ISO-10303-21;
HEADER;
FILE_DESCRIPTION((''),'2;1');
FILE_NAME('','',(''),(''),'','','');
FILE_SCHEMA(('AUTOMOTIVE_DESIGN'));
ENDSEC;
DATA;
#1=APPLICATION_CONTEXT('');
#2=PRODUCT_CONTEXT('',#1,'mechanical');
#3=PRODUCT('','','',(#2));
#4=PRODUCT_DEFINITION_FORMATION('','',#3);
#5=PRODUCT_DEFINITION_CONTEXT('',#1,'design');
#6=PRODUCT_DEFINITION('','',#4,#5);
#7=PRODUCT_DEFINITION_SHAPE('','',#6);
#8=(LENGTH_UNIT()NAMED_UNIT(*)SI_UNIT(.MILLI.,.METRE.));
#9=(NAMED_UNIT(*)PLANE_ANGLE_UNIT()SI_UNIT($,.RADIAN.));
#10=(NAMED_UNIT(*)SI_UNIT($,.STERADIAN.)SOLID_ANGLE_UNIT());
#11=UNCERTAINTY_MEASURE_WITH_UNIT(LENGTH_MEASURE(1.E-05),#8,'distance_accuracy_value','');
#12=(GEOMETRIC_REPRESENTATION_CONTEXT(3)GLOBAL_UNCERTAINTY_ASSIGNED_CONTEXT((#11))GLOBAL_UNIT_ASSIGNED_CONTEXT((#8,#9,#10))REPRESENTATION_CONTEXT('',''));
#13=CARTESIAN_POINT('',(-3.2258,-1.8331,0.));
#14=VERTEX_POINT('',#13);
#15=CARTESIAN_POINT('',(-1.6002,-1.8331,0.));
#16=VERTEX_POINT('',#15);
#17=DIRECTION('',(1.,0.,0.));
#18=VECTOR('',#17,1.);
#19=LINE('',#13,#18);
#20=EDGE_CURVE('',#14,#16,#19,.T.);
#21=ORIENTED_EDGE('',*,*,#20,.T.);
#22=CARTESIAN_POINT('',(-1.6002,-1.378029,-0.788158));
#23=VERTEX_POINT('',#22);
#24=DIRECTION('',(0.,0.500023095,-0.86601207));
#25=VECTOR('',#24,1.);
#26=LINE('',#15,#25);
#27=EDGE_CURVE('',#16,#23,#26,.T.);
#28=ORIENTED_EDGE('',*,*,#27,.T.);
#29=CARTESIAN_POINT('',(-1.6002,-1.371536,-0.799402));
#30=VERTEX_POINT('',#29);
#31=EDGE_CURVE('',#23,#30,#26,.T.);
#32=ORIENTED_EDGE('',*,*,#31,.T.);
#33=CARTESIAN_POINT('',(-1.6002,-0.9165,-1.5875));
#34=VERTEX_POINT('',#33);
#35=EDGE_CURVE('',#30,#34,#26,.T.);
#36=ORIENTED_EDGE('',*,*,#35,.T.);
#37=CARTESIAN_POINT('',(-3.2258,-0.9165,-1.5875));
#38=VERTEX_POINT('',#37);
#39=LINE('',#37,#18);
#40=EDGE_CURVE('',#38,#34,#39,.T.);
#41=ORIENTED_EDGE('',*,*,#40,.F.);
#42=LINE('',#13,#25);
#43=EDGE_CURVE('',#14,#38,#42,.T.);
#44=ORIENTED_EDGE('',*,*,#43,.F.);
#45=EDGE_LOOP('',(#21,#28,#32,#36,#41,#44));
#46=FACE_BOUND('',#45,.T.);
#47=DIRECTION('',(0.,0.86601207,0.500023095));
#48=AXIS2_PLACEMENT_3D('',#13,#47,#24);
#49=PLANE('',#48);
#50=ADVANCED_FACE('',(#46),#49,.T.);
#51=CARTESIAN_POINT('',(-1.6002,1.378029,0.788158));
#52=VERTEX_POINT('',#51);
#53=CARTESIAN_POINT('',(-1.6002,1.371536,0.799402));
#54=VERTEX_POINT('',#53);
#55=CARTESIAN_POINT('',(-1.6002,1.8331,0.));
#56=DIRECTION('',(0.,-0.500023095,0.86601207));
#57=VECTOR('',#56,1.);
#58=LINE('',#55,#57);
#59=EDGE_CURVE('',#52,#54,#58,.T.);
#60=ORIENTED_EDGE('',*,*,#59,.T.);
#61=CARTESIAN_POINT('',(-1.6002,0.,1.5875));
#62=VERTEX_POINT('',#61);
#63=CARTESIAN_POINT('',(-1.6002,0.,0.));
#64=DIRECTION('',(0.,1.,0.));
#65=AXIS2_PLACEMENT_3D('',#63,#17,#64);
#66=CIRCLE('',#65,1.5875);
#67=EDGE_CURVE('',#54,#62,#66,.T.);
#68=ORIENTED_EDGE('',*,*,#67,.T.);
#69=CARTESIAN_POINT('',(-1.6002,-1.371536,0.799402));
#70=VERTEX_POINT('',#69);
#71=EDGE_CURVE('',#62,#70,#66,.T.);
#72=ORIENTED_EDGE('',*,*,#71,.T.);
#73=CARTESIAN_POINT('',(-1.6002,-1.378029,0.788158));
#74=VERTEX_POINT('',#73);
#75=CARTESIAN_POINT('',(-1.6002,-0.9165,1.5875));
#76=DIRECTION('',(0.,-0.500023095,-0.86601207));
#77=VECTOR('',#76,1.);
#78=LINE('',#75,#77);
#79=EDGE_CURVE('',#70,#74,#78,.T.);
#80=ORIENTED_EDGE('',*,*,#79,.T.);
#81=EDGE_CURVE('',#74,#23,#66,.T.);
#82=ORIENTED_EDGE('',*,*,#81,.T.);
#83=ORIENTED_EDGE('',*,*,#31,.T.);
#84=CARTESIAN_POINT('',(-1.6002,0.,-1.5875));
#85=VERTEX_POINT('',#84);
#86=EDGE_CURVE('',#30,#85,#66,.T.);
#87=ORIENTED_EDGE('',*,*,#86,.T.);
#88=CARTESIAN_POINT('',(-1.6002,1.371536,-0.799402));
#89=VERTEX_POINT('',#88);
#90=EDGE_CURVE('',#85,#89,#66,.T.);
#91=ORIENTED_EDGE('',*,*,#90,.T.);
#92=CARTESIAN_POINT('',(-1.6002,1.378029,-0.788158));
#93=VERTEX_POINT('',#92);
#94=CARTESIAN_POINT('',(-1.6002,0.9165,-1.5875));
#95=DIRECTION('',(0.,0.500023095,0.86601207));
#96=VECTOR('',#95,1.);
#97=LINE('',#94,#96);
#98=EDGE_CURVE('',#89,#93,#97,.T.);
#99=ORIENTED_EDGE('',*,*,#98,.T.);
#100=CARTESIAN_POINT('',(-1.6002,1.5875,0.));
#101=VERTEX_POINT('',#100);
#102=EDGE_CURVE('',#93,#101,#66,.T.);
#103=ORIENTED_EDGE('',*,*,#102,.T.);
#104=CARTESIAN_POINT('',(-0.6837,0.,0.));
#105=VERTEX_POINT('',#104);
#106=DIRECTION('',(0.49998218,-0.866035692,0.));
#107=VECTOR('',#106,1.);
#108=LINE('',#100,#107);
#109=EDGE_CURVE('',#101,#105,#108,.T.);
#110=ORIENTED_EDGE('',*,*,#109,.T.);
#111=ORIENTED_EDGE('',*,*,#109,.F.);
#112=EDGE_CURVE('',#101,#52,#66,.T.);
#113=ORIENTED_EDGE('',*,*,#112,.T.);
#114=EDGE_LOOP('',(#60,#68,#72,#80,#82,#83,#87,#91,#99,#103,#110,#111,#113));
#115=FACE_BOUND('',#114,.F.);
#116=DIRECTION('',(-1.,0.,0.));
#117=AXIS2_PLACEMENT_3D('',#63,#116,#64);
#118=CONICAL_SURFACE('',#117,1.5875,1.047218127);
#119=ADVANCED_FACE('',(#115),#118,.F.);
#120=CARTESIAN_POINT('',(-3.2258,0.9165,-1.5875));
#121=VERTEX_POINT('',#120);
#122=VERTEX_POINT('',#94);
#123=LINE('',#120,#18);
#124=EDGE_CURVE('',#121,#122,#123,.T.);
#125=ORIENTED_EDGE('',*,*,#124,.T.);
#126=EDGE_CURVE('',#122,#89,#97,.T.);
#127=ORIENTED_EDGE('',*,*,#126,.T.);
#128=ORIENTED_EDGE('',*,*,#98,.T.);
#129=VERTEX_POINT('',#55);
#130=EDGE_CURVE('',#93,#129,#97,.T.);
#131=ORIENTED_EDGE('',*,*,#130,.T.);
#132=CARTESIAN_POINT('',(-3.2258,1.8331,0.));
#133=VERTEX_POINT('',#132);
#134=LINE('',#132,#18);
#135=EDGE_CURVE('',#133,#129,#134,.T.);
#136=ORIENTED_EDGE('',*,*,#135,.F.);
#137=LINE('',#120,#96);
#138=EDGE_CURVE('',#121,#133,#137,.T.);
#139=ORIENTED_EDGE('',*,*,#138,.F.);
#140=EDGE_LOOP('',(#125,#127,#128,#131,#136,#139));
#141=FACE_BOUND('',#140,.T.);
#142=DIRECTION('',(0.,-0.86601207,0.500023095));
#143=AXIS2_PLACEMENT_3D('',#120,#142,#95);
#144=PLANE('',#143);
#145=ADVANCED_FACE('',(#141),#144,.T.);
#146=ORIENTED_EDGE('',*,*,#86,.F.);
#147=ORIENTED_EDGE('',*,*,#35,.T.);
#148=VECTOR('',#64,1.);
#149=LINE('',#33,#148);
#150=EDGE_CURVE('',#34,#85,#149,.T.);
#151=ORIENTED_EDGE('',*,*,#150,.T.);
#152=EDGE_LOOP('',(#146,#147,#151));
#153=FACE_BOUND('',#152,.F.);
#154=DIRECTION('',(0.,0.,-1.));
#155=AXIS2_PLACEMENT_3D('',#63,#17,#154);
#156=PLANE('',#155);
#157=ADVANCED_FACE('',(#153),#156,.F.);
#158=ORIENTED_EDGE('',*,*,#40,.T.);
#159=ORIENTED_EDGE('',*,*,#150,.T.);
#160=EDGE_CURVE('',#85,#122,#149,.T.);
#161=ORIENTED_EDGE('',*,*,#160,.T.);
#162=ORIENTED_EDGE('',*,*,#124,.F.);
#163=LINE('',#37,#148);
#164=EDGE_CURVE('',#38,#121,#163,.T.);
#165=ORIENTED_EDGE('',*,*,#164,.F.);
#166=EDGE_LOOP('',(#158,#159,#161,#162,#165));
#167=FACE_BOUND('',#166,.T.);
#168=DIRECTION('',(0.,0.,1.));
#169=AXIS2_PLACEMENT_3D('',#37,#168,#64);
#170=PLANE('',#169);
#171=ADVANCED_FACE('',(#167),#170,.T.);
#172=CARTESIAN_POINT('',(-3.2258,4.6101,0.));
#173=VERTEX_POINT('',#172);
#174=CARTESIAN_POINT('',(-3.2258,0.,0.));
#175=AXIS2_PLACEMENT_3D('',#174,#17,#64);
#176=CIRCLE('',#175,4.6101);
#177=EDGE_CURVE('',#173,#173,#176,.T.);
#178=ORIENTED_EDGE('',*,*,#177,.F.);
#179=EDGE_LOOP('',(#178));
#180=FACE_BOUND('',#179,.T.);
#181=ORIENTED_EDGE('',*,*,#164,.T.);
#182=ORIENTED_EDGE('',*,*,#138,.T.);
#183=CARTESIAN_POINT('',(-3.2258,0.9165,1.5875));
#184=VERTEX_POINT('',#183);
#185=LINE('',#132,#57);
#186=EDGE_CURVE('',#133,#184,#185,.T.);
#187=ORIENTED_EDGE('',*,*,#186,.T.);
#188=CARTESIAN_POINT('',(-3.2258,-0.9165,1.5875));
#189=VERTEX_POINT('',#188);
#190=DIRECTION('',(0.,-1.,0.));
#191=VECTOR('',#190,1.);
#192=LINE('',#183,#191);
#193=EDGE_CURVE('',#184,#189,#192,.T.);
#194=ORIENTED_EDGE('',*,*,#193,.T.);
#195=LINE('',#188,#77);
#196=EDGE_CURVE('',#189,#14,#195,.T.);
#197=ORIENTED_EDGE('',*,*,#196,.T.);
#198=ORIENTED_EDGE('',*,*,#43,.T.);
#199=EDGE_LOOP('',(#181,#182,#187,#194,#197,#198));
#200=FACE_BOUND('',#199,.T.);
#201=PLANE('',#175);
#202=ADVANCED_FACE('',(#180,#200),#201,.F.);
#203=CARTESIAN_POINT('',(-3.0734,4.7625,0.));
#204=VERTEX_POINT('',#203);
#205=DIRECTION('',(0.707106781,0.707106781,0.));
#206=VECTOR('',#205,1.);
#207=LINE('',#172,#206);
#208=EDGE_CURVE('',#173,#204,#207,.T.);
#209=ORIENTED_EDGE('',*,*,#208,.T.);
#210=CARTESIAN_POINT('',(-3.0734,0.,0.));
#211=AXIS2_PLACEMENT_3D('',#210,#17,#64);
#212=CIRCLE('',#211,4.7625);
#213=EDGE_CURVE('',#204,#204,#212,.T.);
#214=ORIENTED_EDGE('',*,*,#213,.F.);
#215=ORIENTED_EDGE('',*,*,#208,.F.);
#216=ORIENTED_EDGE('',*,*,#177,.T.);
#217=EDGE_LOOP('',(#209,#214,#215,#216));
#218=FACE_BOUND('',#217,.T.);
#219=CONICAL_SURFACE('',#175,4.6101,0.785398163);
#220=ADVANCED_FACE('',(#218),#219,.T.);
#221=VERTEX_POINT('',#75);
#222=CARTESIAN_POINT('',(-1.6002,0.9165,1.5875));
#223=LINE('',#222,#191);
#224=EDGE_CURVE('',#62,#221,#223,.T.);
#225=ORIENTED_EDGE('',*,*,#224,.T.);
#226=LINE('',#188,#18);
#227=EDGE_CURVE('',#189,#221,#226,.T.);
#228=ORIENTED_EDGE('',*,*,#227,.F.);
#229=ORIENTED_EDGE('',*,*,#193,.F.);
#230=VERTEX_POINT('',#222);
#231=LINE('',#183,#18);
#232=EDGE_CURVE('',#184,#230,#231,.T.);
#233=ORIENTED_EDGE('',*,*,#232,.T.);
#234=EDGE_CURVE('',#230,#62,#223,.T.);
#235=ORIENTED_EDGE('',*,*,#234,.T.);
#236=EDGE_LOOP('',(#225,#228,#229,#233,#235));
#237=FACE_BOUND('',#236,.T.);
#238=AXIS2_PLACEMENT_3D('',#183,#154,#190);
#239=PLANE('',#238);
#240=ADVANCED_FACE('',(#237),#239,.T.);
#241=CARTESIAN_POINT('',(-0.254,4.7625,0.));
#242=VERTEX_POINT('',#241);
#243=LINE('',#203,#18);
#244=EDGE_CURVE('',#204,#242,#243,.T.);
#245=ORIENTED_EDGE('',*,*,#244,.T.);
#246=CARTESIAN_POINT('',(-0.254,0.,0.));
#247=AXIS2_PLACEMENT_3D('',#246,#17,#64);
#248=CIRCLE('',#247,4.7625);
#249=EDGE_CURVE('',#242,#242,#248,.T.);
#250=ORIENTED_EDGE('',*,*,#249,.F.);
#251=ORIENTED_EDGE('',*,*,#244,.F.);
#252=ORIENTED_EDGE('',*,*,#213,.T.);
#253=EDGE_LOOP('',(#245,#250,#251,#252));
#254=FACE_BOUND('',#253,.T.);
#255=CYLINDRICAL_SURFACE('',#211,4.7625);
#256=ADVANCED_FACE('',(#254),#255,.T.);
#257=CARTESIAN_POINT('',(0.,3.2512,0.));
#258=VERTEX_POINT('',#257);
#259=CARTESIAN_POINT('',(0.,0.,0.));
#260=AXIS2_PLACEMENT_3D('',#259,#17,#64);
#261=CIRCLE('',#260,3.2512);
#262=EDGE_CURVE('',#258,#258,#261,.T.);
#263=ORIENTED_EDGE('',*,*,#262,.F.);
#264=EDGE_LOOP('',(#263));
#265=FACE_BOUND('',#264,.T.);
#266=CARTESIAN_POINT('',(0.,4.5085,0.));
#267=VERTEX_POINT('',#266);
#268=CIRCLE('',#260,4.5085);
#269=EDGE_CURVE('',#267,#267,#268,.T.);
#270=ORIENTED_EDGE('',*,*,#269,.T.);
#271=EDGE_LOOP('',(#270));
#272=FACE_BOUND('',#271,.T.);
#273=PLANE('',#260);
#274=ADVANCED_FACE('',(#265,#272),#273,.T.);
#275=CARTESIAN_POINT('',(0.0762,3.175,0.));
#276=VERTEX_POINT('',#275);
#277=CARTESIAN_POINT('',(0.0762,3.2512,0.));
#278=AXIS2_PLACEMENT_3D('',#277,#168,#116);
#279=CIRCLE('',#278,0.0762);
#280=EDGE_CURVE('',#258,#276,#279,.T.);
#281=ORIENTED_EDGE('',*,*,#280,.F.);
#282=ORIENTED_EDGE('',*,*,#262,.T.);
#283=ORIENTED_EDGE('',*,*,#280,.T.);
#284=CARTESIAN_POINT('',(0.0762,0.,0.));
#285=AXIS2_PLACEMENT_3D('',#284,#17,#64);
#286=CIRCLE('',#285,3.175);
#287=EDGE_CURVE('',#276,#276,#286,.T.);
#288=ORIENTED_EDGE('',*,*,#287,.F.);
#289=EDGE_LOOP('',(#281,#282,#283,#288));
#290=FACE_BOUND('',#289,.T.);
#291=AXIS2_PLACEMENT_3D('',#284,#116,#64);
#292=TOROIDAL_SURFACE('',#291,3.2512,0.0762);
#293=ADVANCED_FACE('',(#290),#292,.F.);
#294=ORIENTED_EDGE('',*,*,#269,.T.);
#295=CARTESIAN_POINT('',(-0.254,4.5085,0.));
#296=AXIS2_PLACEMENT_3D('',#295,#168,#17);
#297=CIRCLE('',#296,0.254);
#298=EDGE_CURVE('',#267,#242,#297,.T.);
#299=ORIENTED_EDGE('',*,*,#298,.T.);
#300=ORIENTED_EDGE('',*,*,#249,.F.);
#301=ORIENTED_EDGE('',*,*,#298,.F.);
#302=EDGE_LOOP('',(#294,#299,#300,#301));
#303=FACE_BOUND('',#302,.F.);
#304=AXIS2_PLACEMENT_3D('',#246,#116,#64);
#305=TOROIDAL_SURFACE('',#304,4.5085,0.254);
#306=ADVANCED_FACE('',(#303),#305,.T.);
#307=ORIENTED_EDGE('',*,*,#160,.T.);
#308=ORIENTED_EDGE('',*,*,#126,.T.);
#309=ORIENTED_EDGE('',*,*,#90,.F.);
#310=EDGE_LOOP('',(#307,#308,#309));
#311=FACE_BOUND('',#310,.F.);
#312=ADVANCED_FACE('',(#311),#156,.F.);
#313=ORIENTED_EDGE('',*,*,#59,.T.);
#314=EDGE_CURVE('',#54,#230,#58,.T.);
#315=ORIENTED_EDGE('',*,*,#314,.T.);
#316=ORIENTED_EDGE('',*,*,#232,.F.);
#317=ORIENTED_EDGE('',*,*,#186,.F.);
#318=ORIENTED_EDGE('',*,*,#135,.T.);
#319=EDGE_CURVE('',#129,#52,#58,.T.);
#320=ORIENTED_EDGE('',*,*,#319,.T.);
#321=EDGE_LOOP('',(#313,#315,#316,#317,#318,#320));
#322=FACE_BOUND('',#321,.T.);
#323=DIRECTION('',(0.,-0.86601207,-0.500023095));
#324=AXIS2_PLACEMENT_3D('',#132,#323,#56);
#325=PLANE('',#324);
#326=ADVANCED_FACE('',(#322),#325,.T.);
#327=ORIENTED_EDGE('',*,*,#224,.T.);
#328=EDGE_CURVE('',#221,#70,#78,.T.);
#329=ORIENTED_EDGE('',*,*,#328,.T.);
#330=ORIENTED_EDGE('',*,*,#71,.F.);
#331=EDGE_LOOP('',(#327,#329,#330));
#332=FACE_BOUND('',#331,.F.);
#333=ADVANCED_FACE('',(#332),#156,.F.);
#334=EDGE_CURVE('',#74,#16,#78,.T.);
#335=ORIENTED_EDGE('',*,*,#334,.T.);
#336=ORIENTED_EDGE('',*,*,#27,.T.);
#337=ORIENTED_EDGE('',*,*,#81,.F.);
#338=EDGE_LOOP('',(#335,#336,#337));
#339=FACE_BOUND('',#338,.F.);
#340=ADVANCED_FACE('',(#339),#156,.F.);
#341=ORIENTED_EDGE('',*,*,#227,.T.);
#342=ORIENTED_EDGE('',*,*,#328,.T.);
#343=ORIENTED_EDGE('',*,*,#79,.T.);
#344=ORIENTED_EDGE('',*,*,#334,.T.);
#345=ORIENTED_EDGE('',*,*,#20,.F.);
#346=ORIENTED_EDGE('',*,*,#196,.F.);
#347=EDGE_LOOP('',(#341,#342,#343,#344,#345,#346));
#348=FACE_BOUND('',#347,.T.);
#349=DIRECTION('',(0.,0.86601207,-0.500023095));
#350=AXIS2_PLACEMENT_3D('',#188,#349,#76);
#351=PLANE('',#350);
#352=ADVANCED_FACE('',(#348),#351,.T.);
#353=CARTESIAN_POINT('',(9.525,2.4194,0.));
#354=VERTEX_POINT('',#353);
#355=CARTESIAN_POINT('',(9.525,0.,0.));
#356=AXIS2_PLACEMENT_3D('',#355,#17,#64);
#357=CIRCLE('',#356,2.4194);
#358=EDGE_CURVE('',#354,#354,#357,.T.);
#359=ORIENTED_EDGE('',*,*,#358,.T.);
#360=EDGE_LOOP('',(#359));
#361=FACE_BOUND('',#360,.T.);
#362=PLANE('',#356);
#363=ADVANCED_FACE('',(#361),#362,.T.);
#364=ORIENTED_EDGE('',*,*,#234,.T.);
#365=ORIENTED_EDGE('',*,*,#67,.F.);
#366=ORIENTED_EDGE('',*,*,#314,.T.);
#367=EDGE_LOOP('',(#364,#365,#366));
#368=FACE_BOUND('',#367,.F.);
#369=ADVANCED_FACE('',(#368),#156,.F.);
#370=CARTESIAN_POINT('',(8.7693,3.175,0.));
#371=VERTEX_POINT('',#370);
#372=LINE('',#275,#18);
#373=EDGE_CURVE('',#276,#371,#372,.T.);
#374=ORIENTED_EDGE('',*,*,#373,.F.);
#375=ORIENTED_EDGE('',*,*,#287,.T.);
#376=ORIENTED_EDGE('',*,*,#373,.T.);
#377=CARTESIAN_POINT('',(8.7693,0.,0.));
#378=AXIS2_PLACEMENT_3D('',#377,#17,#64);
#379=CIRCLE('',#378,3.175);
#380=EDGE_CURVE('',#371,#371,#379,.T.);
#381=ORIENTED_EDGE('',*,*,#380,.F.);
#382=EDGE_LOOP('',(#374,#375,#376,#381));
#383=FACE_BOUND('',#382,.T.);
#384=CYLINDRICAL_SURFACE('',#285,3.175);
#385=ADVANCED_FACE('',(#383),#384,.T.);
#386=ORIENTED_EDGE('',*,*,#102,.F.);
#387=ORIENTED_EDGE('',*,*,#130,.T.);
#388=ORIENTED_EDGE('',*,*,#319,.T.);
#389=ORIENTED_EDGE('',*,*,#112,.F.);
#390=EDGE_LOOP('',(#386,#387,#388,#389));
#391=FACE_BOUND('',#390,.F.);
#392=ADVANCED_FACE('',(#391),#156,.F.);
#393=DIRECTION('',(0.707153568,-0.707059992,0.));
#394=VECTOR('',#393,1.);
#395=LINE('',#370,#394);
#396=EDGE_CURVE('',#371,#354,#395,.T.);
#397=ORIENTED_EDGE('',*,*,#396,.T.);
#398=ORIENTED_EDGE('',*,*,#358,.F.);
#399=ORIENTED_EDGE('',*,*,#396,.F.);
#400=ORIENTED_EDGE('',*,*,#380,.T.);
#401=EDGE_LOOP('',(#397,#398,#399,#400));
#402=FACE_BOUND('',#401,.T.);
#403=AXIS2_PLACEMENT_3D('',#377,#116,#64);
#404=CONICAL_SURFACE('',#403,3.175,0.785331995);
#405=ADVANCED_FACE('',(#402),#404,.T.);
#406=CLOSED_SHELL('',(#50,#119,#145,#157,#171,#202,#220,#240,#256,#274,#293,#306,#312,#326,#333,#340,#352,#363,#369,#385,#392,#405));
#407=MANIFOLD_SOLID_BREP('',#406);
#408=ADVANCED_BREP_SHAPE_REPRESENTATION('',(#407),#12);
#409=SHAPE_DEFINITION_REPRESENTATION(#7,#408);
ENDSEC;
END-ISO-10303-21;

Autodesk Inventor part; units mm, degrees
sketch "Sketch_1" plane through (0, 0, 0) normal (0, 0, 1) x (1, 0, 0)
  line L0 (9.525, 0) -> (-3.2258, 0)
  line L1 (-3.2258, 0) -> (-3.2258, 4.6101)
  line L2 (-3.2258, 4.6101) -> (-3.0734, 4.7625)
  line L3 (-3.0734, 4.7625) -> (-0.254, 4.7625)
  arc A0 (0, 4.5085) -> (-0.254, 4.7625) centre (-0.254, 4.5085) ccw
  line L4 (0, 4.5085) -> (0, 3.2512)
  arc A1 (0, 3.2512) -> (0.0762, 3.175) centre (0.0762, 3.2512) ccw
  line L5 (0.0762, 3.175) -> (8.7693, 3.175)
  line L6 (8.7693, 3.175) -> (9.525, 2.4194)
  line L7 (9.525, 2.4194) -> (9.525, 0)
  line L8 (9.525, 0) -> (-3.2258, 0)
revolve "Revolution1" add sketch "Sketch_1" angle 360 about axis through (9.525, 0, 0) along (1, 0, 0)
thread "Thread1" size "1/4-20 UNC" class "2A" standard "ANSI Unified Screw Threads" length 6.3881
sketch "Sketch_3" plane through (-3.2258, 0, 0) normal (1, 0, 0) x (0, 0, -1)
  line L0 (-1.5875, -0.9165) -> (0, -1.8331)
  line L1 (0, -1.8331) -> (1.5875, -0.9165)
  line L2 (1.5875, -0.9165) -> (1.5875, 0.9165)
  line L3 (1.5875, 0.9165) -> (0, 1.8331)
  line L4 (0, 1.8331) -> (-1.5875, 0.9165)
  line L5 (-1.5875, 0.9165) -> (-1.5875, -0.9165)
extrude "Extrusion1" cut sketch "Sketch_3" along normal blind 1.6256
sketch "Sketch_4" plane through (0, 0, 0) normal (0, 0, 1) x (1, 0, 0)
  line L0 (-0.6837, 0) -> (-1.6002, 0)
  line L1 (-1.6002, 0) -> (-1.6002, 1.5875)
  line L2 (-1.6002, 1.5875) -> (-0.6837, 0)
  line L3 (-0.6837, 0) -> (-1.6002, 0)
revolve "Revolution2" cut sketch "Sketch_4" angle 360 about axis through (-0.6837, 0, 0) along (1, 0, 0)
ref_plane "screw_XY" through (0, 0, 0) normal (1, 0, 0) x (0, 0, -1)
ref_plane "screw_YZ" through (0, 0, 0) normal (0, 0, -1) x (0, 1, 0)
ref_plane "screw_ZX" through (0, 0, 0) normal (0, 1, 0) x (1, 0, 0)
ref_plane "screw1_XY" through (9.525, 0, 0) normal (1, 0, 0) x (0, 0, -1)
ref_plane "screw1_YZ" through (9.525, 0, 0) normal (0, 0, -1) x (0, 1, 0)
ref_plane "screw1_ZX" through (9.525, 0, 0) normal (0, 1, 0) x (1, 0, 0)
ref_plane "screw2_XY" through (4.445, 0, 0) normal (1, 0, 0) x (0, 0, -1)
ref_plane "screw2_YZ" through (4.445, 0, 0) normal (0, 0, -1) x (0, 1, 0)
ref_plane "screw2_ZX" through (4.445, 0, 0) normal (0, 1, 0) x (1, 0, 0)
ref_plane "to_tnut_XY" through (7.366, 0, 0) normal (1, 0, 0) x (0, 0, -1)
ref_plane "to_tnut_YZ" through (7.366, 0, 0) normal (0, 0, -1) x (0, 1, 0)
ref_plane "to_tnut_ZX" through (7.366, 0, 0) normal (0, 1, 0) x (1, 0, 0)
properties part number "2750-0.250"
